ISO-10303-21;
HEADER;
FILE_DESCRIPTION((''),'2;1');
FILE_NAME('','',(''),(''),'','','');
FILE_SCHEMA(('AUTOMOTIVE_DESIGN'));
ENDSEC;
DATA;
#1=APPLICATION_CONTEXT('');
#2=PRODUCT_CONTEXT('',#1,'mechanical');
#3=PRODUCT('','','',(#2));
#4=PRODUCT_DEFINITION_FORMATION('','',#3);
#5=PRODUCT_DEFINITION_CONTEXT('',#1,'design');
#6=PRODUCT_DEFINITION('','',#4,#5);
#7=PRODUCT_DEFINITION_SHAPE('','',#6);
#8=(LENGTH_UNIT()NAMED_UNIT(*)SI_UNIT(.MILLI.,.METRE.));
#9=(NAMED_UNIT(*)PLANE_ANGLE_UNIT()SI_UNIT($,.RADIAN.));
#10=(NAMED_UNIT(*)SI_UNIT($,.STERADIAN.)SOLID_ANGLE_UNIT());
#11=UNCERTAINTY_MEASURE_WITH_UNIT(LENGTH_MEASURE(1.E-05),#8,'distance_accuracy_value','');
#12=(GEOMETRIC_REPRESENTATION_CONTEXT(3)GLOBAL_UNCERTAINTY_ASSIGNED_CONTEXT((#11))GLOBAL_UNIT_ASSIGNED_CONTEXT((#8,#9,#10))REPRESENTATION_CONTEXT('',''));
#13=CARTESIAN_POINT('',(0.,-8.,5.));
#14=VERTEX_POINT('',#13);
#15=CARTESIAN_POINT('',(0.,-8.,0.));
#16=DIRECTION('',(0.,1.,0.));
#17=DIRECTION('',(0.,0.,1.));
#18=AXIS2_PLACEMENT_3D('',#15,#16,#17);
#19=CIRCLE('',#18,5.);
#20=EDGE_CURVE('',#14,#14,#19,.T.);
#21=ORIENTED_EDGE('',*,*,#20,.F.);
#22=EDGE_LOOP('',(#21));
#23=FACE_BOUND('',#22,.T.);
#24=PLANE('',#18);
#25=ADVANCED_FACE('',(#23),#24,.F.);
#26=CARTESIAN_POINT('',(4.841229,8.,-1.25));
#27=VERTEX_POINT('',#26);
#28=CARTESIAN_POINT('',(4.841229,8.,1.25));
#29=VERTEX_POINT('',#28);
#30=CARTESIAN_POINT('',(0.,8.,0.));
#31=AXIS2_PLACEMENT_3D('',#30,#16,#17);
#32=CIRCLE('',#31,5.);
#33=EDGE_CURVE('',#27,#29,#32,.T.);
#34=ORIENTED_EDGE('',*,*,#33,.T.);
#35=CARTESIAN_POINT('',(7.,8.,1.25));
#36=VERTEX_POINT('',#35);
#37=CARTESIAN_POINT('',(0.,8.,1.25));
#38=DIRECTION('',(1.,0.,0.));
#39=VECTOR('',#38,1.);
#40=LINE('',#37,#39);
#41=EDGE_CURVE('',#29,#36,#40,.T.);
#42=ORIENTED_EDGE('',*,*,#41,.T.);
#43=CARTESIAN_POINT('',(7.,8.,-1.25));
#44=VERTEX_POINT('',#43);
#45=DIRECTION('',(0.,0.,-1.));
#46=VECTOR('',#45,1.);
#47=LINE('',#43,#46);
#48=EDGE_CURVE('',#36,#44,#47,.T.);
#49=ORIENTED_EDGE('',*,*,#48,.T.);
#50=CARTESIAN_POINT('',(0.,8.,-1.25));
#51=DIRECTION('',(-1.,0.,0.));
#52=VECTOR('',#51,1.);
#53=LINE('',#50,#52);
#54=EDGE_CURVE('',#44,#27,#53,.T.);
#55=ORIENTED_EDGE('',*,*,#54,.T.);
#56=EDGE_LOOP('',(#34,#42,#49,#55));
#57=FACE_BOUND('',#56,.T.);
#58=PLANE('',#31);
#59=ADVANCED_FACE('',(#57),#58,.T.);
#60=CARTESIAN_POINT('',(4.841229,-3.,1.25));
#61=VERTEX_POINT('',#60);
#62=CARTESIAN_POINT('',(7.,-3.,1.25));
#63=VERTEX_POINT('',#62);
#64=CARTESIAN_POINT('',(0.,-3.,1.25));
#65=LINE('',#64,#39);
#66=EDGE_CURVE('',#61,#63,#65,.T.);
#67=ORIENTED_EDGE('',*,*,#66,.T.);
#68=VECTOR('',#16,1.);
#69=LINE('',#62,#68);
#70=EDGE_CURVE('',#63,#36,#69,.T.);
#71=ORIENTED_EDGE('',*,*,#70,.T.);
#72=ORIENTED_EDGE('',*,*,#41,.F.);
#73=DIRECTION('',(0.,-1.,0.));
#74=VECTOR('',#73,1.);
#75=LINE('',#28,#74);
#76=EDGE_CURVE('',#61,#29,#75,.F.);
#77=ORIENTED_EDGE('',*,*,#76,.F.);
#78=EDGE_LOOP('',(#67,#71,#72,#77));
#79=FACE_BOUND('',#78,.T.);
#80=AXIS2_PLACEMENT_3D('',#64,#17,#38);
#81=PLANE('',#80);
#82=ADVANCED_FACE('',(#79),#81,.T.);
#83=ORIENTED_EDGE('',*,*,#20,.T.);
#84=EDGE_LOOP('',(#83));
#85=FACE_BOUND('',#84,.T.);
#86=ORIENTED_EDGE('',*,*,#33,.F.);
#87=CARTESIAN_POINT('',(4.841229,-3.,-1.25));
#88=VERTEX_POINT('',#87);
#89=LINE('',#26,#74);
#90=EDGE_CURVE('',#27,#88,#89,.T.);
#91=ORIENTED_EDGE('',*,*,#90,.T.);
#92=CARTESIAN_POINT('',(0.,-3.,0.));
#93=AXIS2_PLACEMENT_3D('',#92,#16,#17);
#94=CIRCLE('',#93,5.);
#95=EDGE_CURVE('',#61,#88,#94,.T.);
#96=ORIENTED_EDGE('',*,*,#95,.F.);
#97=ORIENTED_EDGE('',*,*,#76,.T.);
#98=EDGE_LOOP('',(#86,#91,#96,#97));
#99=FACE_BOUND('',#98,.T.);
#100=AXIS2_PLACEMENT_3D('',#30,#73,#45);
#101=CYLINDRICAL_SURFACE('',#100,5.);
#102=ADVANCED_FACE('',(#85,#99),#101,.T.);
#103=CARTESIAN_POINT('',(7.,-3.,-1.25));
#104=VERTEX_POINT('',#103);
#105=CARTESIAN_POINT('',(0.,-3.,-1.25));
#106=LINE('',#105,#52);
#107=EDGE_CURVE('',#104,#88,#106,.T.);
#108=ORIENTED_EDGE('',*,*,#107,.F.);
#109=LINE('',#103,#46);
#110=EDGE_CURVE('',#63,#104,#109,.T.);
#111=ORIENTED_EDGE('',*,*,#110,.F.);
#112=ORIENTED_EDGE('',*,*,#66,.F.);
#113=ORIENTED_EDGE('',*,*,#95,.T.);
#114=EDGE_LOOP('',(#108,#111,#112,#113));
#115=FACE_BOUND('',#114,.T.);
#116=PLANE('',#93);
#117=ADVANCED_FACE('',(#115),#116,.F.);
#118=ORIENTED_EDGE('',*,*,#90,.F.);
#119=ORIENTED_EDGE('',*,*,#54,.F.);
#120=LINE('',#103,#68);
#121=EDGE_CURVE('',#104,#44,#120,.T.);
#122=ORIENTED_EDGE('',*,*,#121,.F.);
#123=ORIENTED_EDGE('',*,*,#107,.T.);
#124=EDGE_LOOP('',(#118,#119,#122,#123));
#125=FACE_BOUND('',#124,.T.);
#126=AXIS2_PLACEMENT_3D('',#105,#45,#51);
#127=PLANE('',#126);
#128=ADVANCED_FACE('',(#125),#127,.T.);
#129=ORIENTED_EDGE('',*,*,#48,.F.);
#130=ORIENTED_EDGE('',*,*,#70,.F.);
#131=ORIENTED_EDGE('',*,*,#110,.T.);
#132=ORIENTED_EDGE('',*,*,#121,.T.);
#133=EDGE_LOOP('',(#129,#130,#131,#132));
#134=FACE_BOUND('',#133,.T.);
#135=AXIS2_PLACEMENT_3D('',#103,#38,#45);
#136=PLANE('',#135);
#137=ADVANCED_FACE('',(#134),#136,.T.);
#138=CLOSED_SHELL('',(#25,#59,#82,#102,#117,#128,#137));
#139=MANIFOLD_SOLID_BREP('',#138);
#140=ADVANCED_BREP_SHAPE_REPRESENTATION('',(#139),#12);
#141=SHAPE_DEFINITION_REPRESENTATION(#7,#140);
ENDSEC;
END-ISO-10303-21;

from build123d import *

# Parameters (mm, degrees)
SKETCH1_R           = 5
BOSS_EXTRUDE1_DEPTH = 8
SKETCH2_W           = 7
SKETCH2_H           = 2.5
BOSS_EXTRUDE2_DEPTH = 11


with BuildPart() as part:
    # Sketch1 → Boss-Extrude1 (new, symmetric)
    with BuildSketch(Plane(origin=(0, 0, 0), x_dir=(1, 0, 0), z_dir=(0, 1, 0))):
        with Locations(Location((0, 0, 0), (0, 0, 270))):
            Circle(SKETCH1_R)
    extrude(amount=BOSS_EXTRUDE1_DEPTH, both=True)

    # Sketch2 → Boss-Extrude2 (add)
    with BuildSketch(Plane(origin=(0, 8, 0), x_dir=(1, 0, 0), z_dir=(0, 1, 0))):
        with Locations((3.5, 0)):
            Rectangle(SKETCH2_W, SKETCH2_H)
    extrude(amount=-BOSS_EXTRUDE2_DEPTH)


solid = part.part
